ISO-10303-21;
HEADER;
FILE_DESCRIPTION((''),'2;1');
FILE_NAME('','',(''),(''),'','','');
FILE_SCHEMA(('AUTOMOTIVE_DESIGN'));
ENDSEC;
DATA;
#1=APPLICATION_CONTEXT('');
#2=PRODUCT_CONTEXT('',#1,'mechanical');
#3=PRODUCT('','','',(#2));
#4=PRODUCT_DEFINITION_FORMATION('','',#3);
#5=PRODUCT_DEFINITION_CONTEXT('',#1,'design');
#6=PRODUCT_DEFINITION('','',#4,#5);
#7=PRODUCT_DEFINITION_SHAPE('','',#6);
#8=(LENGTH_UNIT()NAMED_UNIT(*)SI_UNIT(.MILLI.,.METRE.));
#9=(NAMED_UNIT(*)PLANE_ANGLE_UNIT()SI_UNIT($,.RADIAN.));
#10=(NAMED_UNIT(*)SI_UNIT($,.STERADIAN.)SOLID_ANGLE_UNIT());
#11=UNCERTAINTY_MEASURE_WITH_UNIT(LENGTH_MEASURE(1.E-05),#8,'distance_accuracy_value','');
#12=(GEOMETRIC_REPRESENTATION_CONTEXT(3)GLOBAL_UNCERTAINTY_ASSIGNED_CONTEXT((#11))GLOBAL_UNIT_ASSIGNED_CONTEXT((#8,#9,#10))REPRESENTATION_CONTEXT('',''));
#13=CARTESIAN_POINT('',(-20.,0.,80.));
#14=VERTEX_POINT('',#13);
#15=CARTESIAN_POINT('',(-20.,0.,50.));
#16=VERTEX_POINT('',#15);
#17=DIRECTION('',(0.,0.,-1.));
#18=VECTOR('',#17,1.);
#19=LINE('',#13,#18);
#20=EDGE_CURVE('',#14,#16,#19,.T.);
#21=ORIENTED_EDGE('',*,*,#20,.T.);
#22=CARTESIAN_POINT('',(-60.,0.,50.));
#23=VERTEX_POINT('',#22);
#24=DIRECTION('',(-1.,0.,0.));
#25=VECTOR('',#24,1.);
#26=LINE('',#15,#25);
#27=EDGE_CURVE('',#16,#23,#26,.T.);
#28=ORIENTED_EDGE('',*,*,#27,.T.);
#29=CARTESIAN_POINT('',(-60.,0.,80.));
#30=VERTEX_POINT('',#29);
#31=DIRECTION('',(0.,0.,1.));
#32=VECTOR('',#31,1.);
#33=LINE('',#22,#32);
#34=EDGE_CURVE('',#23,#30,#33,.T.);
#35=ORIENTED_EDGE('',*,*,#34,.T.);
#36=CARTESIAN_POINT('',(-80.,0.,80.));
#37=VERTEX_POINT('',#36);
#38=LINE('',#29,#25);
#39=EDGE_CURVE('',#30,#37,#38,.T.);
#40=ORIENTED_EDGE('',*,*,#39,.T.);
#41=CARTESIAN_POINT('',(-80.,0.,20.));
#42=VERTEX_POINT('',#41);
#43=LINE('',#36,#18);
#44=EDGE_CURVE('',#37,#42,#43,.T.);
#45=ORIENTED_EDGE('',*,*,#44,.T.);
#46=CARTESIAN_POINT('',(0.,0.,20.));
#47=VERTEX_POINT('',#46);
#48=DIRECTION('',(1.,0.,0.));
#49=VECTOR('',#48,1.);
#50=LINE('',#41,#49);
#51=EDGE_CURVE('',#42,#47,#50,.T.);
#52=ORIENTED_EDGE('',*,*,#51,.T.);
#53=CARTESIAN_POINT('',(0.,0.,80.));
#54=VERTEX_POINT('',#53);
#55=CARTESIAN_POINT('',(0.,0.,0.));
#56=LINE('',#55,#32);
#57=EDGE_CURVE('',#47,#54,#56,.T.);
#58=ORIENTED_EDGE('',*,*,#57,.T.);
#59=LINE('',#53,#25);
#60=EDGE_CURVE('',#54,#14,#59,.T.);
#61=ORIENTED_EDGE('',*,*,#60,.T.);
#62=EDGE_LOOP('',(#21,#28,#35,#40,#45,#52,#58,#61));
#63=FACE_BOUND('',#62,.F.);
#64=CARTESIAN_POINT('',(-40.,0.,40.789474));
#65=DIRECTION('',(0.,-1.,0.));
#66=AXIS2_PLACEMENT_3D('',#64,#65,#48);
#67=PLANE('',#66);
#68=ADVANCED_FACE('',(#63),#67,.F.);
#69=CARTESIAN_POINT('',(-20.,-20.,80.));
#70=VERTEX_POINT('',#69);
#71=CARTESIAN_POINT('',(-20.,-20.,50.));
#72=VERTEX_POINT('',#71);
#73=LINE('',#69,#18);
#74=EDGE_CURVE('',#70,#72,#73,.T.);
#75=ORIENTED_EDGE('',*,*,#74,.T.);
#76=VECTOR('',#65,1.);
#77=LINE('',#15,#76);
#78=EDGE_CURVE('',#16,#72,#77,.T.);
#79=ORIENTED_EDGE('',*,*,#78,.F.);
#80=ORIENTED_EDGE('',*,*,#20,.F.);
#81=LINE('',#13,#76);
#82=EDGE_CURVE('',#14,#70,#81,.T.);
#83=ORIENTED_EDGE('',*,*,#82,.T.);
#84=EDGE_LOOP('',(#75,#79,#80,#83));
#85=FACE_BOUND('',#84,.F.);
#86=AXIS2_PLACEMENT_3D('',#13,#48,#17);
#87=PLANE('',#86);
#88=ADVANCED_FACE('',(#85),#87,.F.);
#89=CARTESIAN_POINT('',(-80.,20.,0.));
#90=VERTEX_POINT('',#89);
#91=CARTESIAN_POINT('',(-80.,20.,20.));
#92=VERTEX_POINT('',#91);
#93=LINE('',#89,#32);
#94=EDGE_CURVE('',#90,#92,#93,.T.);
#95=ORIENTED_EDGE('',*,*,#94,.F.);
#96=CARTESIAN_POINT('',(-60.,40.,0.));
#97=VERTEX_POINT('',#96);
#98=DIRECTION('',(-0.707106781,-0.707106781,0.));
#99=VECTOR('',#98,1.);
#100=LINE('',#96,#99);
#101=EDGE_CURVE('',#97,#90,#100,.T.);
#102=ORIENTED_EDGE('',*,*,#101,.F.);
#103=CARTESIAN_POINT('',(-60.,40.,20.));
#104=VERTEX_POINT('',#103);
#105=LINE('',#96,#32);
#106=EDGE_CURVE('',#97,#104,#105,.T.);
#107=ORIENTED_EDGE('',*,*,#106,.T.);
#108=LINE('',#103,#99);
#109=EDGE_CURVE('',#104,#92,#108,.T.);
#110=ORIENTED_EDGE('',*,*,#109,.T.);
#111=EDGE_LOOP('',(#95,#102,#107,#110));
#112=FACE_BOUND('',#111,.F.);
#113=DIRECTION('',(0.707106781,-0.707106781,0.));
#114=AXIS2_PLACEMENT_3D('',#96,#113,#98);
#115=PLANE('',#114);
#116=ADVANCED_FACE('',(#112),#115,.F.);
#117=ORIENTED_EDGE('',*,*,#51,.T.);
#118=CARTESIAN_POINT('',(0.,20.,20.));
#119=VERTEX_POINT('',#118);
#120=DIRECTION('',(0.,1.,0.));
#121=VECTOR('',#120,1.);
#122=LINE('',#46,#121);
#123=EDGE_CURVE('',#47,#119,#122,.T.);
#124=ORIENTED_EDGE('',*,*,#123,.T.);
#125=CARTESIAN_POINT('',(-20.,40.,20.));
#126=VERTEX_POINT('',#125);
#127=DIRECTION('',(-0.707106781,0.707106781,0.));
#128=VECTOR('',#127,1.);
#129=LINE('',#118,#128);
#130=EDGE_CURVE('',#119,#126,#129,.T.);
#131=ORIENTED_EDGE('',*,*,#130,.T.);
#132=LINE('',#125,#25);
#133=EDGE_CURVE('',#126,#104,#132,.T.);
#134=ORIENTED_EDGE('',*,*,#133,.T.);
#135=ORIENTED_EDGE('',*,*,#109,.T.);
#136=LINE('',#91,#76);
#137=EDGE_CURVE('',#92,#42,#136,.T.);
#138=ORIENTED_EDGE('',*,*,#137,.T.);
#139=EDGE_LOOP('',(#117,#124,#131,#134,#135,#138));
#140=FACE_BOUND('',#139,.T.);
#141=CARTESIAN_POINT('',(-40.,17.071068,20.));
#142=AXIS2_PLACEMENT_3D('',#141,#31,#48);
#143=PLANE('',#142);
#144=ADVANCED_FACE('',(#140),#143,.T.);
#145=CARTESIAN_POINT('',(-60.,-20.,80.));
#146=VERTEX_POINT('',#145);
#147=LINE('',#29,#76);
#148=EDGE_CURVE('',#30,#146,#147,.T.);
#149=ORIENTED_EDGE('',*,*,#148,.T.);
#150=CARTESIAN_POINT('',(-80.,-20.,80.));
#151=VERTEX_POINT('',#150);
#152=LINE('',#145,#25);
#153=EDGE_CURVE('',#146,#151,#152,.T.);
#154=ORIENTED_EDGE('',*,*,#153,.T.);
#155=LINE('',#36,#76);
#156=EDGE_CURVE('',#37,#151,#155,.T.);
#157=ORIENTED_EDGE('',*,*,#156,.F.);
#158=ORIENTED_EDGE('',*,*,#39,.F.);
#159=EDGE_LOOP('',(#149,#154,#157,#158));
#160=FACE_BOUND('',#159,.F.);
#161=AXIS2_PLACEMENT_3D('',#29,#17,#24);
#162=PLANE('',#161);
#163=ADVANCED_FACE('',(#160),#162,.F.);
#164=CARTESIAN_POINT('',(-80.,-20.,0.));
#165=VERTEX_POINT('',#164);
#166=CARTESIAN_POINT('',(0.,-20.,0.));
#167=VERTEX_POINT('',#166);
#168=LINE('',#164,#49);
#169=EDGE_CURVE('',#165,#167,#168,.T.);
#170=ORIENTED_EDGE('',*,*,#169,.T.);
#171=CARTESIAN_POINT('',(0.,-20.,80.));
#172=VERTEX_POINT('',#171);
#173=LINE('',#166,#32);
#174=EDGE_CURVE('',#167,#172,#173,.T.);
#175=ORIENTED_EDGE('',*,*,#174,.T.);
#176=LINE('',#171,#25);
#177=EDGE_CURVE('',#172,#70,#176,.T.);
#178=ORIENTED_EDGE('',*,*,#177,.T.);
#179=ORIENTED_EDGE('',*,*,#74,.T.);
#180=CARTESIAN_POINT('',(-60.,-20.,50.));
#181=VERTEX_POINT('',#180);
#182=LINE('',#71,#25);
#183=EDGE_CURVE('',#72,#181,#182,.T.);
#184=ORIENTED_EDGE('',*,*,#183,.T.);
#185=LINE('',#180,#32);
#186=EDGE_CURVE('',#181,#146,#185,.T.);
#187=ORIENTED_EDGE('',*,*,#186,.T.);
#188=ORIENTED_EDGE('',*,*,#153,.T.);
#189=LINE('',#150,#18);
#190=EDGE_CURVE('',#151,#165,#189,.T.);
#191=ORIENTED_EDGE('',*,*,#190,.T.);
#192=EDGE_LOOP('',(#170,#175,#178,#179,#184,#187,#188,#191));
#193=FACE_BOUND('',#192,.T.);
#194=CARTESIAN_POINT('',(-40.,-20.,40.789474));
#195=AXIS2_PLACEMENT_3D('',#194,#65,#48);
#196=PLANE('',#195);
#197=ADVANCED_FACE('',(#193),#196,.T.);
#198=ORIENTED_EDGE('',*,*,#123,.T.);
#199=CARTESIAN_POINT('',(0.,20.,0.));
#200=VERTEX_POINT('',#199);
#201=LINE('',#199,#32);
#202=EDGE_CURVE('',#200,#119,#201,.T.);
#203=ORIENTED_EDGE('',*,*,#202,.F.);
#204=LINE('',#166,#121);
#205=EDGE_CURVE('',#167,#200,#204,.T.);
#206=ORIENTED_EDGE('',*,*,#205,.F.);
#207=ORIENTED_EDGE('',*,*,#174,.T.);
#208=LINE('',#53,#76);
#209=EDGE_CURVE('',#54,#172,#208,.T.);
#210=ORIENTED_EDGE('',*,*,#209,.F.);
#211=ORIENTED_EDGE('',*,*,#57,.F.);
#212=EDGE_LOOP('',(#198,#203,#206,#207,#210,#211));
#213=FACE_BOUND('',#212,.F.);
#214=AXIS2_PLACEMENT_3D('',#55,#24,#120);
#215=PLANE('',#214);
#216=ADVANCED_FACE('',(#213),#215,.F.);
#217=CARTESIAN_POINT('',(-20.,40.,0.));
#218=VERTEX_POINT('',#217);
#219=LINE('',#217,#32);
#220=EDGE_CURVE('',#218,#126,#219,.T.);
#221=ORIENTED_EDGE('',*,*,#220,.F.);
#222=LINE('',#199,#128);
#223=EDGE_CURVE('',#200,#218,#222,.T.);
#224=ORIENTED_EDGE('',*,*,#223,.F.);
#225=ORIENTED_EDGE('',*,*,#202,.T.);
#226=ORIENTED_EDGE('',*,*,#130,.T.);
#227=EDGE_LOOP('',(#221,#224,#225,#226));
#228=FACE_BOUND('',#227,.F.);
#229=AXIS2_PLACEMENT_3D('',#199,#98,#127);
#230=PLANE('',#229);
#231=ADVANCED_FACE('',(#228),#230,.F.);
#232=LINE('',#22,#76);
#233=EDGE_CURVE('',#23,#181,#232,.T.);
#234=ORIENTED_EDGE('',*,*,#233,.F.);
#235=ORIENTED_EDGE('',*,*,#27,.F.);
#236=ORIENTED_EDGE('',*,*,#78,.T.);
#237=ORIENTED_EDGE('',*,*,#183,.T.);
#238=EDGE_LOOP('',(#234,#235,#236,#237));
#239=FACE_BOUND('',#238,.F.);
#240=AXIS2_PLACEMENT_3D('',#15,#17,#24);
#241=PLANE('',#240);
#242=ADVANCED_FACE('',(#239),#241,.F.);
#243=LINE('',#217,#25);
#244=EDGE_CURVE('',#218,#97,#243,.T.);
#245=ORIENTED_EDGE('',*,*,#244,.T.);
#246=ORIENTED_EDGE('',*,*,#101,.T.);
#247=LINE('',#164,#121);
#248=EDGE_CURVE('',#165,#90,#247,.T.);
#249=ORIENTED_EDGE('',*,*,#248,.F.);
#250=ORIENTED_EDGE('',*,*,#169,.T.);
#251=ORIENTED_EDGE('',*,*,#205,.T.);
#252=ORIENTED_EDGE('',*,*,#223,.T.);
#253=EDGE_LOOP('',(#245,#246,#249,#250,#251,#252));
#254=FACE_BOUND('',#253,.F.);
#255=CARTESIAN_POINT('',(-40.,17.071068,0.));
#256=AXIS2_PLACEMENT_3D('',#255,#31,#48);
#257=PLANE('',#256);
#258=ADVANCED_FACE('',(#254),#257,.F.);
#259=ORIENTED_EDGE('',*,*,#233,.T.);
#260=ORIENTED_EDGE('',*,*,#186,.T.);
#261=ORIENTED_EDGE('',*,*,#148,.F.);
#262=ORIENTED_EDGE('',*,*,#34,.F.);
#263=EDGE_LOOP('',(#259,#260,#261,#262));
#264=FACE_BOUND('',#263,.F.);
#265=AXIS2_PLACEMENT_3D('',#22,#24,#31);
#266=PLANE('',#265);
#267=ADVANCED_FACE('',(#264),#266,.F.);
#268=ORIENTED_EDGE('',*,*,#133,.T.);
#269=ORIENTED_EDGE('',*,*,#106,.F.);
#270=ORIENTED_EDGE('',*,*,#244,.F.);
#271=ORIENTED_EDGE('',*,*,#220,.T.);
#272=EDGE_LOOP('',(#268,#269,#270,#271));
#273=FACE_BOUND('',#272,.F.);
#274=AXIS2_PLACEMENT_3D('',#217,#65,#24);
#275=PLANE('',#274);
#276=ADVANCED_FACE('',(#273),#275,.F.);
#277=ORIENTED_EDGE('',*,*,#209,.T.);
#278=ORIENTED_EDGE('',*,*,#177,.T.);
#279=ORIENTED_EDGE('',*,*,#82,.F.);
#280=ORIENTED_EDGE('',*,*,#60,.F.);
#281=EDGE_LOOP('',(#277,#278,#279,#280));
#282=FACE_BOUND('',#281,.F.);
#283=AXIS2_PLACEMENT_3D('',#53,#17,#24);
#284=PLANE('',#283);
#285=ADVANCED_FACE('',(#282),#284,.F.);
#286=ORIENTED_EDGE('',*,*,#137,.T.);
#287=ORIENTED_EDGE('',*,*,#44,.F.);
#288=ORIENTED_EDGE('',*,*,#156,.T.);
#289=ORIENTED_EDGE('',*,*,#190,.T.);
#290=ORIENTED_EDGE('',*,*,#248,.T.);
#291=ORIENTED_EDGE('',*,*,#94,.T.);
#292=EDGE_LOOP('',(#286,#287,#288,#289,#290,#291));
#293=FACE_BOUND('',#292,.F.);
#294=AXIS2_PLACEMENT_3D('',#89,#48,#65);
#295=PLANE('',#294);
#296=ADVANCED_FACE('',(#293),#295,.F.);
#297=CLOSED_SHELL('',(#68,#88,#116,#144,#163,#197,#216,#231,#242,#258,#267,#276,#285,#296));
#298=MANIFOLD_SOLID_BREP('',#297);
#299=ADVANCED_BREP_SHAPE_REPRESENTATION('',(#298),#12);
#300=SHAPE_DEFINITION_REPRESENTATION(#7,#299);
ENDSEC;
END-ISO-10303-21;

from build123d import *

# Parameters (mm, degrees)
F1_DEPTH = 20
F3_DEPTH = 20


with BuildPart() as f1:
    # F0 (on Front) → F1 (new body)
    with BuildSketch(Plane.XZ):
        Polygon((-20, 50), (-60, 50), (-60, 80), (-80, 80), (-80, 50), (-80, 0), (0, 0), (0, 50), (0, 80), (-20, 80), align=None)
    extrude(amount=F1_DEPTH)

    # F2 (on Top) → F3 (join)
    with BuildSketch(Plane.XY):
        Polygon((-80, 0), (0, 0), (0, 20), (-20, 40), (-60, 40), (-80, 20), align=None)
    extrude(amount=F3_DEPTH)


solid = f1.part
